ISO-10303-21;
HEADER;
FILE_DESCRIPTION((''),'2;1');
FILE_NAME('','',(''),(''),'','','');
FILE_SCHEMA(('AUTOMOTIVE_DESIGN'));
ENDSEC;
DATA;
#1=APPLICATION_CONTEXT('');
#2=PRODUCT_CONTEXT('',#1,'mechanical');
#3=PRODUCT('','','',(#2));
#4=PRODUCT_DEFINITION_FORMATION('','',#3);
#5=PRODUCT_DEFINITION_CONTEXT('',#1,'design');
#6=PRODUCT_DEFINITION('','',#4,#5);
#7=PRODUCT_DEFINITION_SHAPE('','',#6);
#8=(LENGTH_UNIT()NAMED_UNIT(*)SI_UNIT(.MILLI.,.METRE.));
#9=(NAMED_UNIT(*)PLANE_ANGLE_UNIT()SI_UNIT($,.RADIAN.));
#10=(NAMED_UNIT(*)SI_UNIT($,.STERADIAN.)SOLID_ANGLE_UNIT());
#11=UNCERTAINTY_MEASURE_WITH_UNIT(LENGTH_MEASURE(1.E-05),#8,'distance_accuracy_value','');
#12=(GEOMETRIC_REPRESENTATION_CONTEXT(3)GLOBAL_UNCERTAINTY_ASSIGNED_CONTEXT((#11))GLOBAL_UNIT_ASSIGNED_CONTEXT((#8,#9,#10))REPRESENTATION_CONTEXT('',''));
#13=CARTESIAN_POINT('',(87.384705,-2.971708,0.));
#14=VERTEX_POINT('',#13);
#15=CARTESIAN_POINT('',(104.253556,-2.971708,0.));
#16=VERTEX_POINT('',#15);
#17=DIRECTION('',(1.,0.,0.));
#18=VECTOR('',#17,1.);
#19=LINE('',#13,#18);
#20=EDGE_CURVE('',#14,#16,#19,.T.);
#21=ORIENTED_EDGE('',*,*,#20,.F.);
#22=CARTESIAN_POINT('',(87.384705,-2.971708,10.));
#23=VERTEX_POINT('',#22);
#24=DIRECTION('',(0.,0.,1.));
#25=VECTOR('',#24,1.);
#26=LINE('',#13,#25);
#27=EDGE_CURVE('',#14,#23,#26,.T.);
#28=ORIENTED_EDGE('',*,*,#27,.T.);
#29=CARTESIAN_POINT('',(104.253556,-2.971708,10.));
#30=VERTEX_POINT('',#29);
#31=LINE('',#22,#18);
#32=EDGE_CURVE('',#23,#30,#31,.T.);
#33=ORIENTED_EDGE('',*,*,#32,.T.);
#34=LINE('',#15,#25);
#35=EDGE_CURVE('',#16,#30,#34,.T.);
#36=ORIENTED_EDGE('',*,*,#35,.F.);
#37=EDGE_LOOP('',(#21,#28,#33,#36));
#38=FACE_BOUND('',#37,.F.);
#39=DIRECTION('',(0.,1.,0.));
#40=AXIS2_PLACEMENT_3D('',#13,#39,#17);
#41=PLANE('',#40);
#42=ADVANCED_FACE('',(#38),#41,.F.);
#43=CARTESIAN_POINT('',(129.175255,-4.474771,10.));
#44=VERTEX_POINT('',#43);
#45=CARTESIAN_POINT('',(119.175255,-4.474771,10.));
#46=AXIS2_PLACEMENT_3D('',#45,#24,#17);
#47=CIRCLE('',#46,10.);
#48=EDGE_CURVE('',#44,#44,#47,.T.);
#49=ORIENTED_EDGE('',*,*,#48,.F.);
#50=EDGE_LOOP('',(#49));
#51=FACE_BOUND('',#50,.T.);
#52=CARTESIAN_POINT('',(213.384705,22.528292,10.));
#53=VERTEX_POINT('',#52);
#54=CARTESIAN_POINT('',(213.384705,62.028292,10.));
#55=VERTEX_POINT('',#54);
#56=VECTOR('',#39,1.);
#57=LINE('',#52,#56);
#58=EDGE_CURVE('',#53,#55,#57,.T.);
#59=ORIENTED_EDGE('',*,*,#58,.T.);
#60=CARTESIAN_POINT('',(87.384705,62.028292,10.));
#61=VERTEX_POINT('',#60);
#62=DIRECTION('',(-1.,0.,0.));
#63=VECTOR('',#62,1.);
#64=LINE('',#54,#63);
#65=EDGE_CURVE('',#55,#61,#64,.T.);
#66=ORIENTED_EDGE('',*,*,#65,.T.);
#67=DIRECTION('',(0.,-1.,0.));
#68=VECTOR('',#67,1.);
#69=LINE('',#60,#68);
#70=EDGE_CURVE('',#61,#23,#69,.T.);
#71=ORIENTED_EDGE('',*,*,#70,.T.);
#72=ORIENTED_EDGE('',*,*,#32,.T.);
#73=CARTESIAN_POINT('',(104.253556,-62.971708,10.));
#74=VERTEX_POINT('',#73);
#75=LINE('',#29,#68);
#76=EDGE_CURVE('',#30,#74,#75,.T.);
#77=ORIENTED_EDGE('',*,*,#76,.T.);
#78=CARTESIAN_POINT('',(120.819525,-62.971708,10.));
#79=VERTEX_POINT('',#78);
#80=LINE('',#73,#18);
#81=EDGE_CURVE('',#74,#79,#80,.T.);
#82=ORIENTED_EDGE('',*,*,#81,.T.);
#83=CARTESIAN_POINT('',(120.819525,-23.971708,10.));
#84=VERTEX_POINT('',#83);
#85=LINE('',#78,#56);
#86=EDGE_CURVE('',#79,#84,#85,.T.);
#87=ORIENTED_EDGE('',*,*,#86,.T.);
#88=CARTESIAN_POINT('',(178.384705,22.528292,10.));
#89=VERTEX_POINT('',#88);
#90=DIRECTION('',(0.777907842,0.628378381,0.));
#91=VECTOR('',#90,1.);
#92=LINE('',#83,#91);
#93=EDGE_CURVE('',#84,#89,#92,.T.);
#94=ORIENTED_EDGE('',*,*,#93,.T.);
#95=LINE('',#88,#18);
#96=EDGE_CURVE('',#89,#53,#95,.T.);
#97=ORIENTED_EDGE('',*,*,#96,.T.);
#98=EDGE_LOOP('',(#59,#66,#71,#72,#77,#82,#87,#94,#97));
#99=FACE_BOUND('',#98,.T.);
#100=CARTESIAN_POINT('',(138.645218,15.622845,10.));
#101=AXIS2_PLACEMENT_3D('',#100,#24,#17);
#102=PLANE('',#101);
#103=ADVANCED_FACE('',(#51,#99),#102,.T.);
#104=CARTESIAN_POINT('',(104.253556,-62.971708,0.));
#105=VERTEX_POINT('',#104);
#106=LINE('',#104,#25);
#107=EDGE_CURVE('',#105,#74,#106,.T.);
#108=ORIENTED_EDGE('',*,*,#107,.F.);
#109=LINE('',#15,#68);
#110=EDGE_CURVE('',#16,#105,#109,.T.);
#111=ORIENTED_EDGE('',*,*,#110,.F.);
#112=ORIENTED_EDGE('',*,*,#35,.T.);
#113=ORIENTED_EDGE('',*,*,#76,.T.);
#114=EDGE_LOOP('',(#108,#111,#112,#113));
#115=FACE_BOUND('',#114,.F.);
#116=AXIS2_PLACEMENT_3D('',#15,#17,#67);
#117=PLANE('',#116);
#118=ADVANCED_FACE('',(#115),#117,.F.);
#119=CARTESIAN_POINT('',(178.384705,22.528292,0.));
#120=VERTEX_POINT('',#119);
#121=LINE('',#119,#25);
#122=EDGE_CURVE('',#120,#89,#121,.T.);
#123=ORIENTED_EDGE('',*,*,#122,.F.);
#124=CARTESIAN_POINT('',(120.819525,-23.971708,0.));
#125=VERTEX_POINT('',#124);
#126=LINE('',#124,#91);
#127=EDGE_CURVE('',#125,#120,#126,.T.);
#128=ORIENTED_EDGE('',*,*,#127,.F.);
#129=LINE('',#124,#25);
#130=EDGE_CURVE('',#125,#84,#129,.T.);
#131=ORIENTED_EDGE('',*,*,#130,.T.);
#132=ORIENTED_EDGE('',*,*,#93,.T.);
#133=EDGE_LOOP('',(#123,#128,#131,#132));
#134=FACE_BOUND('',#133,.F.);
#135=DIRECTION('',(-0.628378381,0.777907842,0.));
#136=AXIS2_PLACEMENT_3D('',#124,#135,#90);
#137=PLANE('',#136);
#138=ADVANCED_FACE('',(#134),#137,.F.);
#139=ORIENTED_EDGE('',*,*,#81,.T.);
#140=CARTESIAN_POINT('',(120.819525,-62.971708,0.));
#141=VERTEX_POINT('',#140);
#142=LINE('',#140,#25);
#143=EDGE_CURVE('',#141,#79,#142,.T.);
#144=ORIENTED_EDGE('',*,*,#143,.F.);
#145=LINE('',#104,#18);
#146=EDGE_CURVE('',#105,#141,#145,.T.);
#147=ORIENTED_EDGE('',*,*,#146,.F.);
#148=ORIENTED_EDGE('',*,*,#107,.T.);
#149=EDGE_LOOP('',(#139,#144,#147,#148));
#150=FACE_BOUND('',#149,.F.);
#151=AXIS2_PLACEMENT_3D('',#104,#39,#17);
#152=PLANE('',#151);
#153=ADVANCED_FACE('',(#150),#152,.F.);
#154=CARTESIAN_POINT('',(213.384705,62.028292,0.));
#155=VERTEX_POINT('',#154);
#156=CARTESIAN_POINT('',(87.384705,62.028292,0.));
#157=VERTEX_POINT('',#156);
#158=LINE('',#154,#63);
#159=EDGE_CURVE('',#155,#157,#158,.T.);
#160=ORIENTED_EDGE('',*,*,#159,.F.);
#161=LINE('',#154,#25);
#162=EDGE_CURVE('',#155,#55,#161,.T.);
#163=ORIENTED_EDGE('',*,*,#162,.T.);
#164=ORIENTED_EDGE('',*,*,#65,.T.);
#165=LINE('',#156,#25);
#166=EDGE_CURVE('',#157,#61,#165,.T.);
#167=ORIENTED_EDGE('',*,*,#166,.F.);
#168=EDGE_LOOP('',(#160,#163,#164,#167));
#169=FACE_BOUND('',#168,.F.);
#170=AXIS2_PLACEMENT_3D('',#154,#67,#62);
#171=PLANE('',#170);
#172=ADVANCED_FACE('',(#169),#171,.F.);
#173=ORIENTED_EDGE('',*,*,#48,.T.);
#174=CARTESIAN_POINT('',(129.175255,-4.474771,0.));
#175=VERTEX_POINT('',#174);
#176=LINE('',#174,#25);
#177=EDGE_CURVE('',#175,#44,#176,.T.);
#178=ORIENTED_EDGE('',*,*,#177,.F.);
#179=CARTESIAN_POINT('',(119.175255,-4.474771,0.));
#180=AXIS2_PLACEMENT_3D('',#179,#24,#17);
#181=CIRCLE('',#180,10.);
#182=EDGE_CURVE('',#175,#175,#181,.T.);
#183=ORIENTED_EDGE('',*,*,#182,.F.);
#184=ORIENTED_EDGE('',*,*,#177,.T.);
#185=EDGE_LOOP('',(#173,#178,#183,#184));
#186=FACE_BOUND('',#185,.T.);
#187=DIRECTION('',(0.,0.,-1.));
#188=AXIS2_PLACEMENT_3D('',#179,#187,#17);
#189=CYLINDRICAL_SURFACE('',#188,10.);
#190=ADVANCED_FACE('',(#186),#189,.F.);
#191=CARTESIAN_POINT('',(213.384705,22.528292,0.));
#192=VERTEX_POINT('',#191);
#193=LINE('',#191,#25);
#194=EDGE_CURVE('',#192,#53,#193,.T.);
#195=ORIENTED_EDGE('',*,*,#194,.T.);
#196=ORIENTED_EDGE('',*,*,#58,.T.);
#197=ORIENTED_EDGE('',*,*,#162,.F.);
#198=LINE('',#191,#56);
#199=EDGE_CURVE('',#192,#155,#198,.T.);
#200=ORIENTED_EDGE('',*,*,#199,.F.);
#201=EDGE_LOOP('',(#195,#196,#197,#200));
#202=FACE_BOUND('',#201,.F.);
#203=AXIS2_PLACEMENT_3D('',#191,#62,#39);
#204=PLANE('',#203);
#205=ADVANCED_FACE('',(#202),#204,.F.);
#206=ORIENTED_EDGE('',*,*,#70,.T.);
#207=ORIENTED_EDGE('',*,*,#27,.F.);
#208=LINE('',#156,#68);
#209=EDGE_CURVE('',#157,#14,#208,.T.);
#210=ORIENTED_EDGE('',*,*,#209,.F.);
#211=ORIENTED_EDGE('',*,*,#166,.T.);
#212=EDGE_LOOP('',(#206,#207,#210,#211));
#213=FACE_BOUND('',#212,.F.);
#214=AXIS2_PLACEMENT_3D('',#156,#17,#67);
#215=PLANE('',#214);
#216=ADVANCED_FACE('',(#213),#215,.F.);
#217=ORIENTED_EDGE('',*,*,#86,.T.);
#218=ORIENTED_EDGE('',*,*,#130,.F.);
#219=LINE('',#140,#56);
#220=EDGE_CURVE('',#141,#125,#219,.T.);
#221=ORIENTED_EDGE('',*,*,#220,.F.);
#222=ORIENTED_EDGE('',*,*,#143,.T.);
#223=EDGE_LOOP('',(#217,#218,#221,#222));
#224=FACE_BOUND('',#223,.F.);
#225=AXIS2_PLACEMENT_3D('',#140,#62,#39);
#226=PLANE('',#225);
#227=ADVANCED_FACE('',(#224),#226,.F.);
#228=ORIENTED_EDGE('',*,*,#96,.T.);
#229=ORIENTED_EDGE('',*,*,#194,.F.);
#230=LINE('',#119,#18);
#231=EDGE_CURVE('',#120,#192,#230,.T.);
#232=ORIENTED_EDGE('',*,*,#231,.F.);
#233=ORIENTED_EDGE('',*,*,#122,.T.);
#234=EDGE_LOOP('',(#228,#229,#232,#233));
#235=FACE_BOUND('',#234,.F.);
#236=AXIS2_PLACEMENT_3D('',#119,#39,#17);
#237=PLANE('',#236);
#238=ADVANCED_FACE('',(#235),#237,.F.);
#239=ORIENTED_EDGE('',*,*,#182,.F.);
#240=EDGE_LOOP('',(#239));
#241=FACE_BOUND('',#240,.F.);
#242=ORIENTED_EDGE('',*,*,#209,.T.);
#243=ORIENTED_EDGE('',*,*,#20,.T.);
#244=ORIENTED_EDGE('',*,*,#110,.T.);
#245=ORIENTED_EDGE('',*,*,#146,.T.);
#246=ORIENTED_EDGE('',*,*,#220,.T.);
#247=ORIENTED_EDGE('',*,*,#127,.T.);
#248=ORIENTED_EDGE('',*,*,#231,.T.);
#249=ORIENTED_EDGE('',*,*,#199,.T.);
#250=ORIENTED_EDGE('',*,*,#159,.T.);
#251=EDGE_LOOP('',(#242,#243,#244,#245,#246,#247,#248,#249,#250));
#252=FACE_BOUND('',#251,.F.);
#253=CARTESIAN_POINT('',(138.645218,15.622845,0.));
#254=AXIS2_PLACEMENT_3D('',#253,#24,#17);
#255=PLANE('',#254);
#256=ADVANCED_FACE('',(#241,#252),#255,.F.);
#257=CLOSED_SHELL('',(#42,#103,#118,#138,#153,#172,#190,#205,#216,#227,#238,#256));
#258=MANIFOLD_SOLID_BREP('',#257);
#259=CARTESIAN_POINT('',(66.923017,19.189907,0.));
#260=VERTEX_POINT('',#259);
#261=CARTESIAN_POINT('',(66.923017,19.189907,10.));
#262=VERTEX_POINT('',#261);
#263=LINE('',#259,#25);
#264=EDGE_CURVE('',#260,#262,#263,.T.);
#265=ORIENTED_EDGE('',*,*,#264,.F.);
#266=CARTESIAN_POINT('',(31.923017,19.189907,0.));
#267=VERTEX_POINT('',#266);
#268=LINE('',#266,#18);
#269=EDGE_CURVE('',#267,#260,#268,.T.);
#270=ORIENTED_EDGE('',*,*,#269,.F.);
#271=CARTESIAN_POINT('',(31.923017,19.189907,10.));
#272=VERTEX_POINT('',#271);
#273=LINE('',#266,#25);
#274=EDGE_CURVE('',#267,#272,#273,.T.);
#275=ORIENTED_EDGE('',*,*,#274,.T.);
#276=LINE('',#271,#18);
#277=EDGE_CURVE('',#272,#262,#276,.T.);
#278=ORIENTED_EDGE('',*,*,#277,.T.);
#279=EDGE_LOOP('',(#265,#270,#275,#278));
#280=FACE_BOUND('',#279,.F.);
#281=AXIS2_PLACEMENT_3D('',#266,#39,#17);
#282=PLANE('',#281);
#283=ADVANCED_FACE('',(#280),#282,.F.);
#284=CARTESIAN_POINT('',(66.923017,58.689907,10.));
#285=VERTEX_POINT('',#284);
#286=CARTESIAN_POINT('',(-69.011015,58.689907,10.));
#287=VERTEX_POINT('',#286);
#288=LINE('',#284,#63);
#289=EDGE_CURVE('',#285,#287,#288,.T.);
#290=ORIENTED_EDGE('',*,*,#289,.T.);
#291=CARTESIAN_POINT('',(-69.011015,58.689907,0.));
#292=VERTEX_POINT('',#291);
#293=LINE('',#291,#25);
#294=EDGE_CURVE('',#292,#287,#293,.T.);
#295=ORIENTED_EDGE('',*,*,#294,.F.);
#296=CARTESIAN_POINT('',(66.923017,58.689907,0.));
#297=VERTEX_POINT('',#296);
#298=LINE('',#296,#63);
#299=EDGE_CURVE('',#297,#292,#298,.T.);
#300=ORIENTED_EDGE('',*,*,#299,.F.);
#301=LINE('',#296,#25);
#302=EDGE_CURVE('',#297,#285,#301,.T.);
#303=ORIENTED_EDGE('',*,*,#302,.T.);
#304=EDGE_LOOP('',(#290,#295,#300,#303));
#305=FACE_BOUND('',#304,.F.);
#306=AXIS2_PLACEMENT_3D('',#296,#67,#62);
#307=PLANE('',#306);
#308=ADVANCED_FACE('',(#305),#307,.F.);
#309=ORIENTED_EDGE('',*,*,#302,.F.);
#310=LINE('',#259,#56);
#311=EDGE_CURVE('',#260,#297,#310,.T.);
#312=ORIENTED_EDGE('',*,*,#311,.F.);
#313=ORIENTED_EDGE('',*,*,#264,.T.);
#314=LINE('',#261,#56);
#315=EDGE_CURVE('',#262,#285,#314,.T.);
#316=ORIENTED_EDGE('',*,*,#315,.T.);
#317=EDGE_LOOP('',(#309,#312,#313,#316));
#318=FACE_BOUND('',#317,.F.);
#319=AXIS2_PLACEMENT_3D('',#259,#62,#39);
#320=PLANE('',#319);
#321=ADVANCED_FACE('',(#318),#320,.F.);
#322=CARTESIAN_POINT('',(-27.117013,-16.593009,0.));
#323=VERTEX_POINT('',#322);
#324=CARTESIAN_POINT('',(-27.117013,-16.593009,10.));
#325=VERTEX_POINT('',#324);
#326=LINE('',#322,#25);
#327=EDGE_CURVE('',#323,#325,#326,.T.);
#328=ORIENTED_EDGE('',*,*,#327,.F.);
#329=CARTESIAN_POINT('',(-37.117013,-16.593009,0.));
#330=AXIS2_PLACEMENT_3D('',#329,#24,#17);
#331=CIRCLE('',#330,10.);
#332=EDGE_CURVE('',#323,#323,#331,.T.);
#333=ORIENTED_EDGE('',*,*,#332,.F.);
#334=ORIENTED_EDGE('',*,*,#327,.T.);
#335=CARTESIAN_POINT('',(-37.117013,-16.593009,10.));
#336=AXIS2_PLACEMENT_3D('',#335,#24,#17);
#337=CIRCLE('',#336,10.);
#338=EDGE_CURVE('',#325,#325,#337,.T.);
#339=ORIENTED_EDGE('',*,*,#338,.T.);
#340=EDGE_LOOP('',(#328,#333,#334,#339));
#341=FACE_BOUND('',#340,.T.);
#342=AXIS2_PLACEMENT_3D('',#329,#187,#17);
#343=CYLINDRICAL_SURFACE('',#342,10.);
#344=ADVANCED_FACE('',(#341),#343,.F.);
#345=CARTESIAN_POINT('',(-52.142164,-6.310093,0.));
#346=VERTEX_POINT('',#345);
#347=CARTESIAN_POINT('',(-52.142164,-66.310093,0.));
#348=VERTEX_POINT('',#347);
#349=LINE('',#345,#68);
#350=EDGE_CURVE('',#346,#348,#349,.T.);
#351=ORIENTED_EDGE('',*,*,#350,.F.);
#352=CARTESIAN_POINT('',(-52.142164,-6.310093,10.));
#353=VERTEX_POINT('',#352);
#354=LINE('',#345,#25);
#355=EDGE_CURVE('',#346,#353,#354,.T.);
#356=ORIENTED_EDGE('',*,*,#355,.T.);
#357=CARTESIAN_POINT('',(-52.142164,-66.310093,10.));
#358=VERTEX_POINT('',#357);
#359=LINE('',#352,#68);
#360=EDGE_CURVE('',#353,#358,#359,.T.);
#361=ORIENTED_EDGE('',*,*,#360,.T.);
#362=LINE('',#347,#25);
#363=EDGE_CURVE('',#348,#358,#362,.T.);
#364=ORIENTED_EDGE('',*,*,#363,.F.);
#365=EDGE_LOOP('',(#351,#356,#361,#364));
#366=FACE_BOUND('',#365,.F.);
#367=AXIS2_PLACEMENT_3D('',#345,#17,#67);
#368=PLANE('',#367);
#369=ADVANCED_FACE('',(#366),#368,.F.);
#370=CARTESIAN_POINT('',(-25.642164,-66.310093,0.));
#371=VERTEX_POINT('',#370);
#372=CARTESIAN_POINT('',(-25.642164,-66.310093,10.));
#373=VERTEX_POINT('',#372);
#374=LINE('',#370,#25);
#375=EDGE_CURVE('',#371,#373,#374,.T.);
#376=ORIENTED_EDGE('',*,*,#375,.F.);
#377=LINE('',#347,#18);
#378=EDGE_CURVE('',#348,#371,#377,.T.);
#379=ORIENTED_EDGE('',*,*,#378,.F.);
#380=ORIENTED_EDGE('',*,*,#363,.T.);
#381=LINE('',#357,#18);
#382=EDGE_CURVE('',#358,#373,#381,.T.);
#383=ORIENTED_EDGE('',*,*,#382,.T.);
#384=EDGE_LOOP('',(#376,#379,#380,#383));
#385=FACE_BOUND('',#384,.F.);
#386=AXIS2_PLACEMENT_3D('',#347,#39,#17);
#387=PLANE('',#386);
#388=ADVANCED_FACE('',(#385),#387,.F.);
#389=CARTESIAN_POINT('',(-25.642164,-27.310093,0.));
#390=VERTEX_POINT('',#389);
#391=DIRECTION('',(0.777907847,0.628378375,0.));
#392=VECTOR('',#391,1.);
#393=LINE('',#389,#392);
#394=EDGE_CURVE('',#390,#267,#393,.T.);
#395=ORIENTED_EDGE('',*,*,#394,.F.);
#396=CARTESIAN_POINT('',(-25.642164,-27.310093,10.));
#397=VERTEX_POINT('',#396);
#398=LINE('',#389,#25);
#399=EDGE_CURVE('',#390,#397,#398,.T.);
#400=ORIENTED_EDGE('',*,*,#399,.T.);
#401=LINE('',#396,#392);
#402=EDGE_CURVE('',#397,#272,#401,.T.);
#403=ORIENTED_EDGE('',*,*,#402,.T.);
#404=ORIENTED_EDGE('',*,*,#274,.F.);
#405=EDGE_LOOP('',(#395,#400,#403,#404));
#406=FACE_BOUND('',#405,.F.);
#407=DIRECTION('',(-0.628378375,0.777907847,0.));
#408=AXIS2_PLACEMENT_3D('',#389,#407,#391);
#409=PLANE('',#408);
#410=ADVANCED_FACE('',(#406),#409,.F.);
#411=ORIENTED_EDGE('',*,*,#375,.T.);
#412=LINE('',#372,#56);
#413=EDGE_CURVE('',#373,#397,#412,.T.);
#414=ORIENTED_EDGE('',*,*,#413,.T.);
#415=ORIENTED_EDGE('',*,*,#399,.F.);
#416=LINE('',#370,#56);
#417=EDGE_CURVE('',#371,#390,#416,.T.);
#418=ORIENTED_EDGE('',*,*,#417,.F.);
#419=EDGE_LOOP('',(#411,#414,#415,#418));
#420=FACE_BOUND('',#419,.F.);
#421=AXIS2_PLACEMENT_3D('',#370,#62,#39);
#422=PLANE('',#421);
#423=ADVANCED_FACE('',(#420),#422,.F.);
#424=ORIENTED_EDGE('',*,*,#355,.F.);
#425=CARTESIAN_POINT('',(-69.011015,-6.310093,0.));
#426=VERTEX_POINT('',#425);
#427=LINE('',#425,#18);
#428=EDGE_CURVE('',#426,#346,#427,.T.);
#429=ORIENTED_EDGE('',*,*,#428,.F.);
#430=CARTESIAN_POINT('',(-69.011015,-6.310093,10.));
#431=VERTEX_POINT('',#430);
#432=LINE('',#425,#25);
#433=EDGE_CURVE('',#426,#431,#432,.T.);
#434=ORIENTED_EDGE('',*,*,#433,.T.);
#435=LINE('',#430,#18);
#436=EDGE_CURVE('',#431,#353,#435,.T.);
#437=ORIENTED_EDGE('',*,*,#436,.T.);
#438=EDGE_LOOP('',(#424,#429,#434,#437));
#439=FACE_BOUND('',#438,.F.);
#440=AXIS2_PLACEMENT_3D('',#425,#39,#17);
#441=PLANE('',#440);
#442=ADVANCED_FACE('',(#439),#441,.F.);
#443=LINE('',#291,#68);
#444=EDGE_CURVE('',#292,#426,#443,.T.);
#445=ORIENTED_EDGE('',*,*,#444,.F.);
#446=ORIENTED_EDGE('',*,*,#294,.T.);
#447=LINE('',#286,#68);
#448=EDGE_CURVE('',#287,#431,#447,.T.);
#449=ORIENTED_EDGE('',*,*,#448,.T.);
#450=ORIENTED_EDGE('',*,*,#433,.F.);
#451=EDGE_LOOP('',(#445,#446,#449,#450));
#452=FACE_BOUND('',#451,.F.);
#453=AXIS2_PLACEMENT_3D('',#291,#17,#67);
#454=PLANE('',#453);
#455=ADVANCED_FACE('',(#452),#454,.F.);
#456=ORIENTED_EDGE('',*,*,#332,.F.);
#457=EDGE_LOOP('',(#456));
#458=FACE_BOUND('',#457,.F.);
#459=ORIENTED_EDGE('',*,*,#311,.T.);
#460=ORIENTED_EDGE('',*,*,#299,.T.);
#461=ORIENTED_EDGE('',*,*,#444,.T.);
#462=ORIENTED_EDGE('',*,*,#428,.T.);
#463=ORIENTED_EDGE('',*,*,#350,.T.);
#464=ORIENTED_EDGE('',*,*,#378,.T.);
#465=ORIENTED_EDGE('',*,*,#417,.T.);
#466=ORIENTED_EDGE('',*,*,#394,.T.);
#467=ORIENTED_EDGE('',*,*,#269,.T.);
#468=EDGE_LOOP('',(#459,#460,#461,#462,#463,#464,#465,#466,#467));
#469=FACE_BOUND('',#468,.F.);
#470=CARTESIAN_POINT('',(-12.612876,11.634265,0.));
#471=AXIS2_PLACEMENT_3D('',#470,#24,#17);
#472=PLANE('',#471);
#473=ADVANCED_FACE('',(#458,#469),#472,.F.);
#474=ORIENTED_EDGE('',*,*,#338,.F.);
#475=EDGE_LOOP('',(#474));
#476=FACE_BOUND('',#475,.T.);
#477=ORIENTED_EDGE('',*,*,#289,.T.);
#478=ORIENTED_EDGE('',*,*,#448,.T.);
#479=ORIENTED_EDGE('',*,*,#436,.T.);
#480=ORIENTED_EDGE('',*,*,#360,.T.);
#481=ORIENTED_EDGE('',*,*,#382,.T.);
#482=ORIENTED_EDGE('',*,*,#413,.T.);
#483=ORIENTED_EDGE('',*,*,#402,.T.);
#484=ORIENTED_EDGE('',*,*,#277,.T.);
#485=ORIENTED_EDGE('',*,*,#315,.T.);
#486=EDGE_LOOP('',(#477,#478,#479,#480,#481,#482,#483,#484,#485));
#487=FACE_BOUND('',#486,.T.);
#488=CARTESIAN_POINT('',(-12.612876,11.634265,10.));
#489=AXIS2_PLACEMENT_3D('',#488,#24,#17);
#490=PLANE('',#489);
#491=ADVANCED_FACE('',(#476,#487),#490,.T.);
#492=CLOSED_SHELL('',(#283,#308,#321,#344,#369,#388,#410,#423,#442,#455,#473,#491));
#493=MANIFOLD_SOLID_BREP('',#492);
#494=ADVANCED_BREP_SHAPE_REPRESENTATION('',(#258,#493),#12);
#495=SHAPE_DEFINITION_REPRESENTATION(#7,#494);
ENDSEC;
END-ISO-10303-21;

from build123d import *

# Parameters (mm, degrees)
F0_R     = 10
F2_DEPTH = 10
F1_R     = 10
F3_DEPTH = 10


with BuildPart() as f2:
    # F0 (on Top) → F2 (new body)
    with BuildSketch(Plane.XY):
        Polygon((66.923017, 58.689907), (-69.011015, 58.689907), (-69.011015, -6.310093), (-52.142164, -6.310093), (-52.142164, -66.310093), (-25.642164, -66.310093), (-25.642164, -27.310093), (31.923017, 19.189907), (66.923017, 19.189907), align=None)
        with Locations((-37.117013, -16.593009)):
            Circle(F0_R, mode=Mode.SUBTRACT)
    extrude(amount=F2_DEPTH)


with BuildPart() as f3:
    # F1 (on Top) → F3 (new body)
    with BuildSketch(Plane.XY):
        Polygon((213.384705, 62.028292), (87.384705, 62.028292), (87.384705, -2.971708), (104.253556, -2.971708), (104.253556, -62.971708), (120.819525, -62.971708), (120.819525, -23.971708), (178.384705, 22.528292), (213.384705, 22.528292), align=None)
        with Locations((119.175255, -4.474771)):
            Circle(F1_R, mode=Mode.SUBTRACT)
    extrude(amount=F3_DEPTH)


solid = Compound([f2.part, f3.part])
